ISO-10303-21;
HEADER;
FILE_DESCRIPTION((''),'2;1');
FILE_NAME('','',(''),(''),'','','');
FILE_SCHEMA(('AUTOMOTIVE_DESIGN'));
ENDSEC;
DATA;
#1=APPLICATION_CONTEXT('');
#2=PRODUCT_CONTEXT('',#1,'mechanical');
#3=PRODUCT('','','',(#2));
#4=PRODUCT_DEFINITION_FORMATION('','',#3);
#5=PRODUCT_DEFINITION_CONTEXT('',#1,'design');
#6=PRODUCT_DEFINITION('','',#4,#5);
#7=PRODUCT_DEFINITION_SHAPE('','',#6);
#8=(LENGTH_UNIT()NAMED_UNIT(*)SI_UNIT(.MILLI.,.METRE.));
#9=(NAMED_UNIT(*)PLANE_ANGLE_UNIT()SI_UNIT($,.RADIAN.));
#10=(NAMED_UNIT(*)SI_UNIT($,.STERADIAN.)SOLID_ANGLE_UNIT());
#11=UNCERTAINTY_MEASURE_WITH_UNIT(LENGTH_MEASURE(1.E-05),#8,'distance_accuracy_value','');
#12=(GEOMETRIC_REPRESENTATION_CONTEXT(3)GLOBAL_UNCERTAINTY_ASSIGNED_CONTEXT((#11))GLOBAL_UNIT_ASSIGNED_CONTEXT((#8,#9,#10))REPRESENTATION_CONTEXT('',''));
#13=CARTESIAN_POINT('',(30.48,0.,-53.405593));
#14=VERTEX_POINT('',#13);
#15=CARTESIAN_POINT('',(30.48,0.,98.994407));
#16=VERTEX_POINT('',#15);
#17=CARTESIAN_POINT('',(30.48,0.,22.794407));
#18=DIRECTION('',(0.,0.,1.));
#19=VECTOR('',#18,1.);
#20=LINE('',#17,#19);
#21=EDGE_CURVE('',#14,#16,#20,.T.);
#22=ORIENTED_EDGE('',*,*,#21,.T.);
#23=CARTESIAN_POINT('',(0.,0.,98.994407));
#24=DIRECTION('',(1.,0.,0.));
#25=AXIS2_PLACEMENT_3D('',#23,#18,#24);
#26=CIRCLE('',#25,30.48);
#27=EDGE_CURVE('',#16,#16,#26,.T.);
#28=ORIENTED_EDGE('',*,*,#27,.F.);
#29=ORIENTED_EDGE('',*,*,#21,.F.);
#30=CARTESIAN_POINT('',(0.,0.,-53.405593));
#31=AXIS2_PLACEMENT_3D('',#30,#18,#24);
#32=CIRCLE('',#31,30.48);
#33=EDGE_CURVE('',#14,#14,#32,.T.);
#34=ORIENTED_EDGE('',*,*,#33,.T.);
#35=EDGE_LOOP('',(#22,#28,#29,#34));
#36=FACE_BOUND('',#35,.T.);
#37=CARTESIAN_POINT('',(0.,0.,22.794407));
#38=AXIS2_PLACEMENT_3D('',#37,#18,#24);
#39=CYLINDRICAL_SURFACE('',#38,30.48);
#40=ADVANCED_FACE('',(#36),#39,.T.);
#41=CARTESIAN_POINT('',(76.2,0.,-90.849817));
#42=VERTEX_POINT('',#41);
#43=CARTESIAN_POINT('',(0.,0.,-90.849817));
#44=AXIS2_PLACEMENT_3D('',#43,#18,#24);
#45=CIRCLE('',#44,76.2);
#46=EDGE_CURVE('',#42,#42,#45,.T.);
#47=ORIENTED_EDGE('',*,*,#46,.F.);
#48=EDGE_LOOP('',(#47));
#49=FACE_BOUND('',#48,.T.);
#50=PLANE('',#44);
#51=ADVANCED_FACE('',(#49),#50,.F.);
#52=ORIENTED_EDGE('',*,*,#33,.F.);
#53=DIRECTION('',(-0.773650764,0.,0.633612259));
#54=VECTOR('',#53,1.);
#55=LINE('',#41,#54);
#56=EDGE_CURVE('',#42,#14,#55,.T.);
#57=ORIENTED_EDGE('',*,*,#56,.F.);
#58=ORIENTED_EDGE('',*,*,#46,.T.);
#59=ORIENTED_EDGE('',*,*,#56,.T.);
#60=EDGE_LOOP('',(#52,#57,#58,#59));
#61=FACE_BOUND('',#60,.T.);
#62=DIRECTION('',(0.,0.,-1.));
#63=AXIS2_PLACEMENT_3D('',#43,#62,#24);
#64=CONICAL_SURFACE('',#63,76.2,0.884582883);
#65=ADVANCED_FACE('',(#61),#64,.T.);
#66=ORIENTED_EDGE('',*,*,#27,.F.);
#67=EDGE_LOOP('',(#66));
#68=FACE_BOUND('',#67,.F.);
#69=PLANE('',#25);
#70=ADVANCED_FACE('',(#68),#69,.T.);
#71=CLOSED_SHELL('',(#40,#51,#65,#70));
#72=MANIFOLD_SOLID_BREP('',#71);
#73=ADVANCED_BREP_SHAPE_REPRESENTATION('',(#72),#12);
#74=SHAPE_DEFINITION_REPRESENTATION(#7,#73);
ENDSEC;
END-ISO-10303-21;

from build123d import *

# Parameters (mm, degrees)
F0_W = 30.48
F0_H = 152.4


with BuildPart() as f1:
    # F0 (on Front) → F1 (revolve)
    with BuildSketch(Plane.XZ):
        Polygon((30.48, -53.405593), (0, -53.405593), (0, -90.849817), (76.2, -90.849817), align=None)
        with Locations((15.24, 22.794407)):
            Rectangle(F0_W, F0_H)
    revolve(axis=Axis((0, 0, -12.025354), (0, 0, 1)))


solid = f1.part
